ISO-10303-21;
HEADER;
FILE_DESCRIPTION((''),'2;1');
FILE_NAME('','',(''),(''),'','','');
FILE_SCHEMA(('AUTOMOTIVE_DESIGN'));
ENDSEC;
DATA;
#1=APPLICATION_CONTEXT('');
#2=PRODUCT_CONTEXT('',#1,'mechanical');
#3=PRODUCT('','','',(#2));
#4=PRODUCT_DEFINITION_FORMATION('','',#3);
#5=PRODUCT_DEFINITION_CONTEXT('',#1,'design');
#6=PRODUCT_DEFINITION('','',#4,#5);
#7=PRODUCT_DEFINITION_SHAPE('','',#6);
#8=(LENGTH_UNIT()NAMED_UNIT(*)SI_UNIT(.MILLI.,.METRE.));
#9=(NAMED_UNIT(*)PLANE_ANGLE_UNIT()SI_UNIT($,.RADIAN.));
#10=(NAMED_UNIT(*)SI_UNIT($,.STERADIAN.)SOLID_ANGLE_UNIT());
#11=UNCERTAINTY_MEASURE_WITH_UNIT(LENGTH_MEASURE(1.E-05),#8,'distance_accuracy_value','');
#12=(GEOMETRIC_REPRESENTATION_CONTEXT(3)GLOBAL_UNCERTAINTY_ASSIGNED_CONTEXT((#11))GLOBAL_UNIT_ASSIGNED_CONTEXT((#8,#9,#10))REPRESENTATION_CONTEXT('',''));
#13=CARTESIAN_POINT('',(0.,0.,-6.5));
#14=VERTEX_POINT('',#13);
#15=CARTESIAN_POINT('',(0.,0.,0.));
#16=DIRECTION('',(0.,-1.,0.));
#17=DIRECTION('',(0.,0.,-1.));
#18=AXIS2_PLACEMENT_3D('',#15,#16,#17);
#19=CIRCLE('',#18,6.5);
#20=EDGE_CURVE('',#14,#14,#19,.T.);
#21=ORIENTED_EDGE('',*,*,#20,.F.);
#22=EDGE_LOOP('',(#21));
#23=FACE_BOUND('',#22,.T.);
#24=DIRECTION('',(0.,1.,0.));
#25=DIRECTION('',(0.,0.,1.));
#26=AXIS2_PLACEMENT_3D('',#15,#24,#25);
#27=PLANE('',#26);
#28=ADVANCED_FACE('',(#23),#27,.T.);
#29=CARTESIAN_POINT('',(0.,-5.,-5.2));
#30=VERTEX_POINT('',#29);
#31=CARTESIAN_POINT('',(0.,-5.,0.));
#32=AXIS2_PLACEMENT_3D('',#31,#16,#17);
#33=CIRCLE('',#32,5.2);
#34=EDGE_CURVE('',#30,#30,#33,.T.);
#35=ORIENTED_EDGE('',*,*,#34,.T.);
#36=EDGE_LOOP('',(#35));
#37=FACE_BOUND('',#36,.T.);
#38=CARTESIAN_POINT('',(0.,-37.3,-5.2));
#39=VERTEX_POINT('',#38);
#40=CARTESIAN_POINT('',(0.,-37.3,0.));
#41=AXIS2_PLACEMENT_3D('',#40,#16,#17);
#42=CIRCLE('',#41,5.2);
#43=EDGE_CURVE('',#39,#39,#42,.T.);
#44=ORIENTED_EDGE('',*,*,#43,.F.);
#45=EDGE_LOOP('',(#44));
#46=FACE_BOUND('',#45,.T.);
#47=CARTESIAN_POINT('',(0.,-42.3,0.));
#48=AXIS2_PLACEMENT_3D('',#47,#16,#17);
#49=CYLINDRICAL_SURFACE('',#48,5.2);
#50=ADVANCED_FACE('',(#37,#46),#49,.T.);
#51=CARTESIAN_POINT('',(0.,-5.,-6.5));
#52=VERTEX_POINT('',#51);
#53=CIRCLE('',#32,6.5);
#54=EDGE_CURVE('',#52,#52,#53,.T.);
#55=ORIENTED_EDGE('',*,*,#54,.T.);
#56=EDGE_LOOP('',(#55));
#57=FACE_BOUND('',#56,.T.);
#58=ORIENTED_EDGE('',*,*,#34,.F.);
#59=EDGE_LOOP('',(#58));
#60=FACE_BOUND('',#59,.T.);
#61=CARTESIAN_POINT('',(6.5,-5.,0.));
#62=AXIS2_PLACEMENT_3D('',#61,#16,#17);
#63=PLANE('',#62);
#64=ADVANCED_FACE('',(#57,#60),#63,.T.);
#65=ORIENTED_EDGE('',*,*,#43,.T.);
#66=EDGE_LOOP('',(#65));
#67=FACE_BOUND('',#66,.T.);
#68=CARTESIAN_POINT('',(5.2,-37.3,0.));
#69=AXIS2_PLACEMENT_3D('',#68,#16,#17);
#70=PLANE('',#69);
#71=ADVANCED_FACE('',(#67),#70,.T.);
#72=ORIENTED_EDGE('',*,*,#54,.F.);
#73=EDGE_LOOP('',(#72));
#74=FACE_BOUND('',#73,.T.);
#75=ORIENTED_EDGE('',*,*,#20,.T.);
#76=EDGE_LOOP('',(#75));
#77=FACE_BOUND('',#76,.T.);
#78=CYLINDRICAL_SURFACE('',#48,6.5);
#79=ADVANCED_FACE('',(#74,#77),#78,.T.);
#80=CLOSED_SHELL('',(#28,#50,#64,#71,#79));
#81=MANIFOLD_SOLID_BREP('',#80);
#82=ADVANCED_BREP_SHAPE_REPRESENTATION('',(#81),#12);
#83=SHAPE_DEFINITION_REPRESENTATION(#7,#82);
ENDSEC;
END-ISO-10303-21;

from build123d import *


with BuildPart() as part:
    # Sketch1 → Revolve1 (revolve)
    with BuildSketch(Plane.XY, mode=Mode.PRIVATE) as revolve1_sk:
        Polygon((0, 0), (6.5, 0), (6.5, -5), (5.2, -5), (5.2, -37.3), (0, -37.3), align=None)
    revolve(revolve1_sk.sketch.rotate(Axis((0, -42.3, 0), (0, 1, 0)), 90), axis=Axis((0, -42.3, 0), (0, 1, 0)))


solid = part.part
